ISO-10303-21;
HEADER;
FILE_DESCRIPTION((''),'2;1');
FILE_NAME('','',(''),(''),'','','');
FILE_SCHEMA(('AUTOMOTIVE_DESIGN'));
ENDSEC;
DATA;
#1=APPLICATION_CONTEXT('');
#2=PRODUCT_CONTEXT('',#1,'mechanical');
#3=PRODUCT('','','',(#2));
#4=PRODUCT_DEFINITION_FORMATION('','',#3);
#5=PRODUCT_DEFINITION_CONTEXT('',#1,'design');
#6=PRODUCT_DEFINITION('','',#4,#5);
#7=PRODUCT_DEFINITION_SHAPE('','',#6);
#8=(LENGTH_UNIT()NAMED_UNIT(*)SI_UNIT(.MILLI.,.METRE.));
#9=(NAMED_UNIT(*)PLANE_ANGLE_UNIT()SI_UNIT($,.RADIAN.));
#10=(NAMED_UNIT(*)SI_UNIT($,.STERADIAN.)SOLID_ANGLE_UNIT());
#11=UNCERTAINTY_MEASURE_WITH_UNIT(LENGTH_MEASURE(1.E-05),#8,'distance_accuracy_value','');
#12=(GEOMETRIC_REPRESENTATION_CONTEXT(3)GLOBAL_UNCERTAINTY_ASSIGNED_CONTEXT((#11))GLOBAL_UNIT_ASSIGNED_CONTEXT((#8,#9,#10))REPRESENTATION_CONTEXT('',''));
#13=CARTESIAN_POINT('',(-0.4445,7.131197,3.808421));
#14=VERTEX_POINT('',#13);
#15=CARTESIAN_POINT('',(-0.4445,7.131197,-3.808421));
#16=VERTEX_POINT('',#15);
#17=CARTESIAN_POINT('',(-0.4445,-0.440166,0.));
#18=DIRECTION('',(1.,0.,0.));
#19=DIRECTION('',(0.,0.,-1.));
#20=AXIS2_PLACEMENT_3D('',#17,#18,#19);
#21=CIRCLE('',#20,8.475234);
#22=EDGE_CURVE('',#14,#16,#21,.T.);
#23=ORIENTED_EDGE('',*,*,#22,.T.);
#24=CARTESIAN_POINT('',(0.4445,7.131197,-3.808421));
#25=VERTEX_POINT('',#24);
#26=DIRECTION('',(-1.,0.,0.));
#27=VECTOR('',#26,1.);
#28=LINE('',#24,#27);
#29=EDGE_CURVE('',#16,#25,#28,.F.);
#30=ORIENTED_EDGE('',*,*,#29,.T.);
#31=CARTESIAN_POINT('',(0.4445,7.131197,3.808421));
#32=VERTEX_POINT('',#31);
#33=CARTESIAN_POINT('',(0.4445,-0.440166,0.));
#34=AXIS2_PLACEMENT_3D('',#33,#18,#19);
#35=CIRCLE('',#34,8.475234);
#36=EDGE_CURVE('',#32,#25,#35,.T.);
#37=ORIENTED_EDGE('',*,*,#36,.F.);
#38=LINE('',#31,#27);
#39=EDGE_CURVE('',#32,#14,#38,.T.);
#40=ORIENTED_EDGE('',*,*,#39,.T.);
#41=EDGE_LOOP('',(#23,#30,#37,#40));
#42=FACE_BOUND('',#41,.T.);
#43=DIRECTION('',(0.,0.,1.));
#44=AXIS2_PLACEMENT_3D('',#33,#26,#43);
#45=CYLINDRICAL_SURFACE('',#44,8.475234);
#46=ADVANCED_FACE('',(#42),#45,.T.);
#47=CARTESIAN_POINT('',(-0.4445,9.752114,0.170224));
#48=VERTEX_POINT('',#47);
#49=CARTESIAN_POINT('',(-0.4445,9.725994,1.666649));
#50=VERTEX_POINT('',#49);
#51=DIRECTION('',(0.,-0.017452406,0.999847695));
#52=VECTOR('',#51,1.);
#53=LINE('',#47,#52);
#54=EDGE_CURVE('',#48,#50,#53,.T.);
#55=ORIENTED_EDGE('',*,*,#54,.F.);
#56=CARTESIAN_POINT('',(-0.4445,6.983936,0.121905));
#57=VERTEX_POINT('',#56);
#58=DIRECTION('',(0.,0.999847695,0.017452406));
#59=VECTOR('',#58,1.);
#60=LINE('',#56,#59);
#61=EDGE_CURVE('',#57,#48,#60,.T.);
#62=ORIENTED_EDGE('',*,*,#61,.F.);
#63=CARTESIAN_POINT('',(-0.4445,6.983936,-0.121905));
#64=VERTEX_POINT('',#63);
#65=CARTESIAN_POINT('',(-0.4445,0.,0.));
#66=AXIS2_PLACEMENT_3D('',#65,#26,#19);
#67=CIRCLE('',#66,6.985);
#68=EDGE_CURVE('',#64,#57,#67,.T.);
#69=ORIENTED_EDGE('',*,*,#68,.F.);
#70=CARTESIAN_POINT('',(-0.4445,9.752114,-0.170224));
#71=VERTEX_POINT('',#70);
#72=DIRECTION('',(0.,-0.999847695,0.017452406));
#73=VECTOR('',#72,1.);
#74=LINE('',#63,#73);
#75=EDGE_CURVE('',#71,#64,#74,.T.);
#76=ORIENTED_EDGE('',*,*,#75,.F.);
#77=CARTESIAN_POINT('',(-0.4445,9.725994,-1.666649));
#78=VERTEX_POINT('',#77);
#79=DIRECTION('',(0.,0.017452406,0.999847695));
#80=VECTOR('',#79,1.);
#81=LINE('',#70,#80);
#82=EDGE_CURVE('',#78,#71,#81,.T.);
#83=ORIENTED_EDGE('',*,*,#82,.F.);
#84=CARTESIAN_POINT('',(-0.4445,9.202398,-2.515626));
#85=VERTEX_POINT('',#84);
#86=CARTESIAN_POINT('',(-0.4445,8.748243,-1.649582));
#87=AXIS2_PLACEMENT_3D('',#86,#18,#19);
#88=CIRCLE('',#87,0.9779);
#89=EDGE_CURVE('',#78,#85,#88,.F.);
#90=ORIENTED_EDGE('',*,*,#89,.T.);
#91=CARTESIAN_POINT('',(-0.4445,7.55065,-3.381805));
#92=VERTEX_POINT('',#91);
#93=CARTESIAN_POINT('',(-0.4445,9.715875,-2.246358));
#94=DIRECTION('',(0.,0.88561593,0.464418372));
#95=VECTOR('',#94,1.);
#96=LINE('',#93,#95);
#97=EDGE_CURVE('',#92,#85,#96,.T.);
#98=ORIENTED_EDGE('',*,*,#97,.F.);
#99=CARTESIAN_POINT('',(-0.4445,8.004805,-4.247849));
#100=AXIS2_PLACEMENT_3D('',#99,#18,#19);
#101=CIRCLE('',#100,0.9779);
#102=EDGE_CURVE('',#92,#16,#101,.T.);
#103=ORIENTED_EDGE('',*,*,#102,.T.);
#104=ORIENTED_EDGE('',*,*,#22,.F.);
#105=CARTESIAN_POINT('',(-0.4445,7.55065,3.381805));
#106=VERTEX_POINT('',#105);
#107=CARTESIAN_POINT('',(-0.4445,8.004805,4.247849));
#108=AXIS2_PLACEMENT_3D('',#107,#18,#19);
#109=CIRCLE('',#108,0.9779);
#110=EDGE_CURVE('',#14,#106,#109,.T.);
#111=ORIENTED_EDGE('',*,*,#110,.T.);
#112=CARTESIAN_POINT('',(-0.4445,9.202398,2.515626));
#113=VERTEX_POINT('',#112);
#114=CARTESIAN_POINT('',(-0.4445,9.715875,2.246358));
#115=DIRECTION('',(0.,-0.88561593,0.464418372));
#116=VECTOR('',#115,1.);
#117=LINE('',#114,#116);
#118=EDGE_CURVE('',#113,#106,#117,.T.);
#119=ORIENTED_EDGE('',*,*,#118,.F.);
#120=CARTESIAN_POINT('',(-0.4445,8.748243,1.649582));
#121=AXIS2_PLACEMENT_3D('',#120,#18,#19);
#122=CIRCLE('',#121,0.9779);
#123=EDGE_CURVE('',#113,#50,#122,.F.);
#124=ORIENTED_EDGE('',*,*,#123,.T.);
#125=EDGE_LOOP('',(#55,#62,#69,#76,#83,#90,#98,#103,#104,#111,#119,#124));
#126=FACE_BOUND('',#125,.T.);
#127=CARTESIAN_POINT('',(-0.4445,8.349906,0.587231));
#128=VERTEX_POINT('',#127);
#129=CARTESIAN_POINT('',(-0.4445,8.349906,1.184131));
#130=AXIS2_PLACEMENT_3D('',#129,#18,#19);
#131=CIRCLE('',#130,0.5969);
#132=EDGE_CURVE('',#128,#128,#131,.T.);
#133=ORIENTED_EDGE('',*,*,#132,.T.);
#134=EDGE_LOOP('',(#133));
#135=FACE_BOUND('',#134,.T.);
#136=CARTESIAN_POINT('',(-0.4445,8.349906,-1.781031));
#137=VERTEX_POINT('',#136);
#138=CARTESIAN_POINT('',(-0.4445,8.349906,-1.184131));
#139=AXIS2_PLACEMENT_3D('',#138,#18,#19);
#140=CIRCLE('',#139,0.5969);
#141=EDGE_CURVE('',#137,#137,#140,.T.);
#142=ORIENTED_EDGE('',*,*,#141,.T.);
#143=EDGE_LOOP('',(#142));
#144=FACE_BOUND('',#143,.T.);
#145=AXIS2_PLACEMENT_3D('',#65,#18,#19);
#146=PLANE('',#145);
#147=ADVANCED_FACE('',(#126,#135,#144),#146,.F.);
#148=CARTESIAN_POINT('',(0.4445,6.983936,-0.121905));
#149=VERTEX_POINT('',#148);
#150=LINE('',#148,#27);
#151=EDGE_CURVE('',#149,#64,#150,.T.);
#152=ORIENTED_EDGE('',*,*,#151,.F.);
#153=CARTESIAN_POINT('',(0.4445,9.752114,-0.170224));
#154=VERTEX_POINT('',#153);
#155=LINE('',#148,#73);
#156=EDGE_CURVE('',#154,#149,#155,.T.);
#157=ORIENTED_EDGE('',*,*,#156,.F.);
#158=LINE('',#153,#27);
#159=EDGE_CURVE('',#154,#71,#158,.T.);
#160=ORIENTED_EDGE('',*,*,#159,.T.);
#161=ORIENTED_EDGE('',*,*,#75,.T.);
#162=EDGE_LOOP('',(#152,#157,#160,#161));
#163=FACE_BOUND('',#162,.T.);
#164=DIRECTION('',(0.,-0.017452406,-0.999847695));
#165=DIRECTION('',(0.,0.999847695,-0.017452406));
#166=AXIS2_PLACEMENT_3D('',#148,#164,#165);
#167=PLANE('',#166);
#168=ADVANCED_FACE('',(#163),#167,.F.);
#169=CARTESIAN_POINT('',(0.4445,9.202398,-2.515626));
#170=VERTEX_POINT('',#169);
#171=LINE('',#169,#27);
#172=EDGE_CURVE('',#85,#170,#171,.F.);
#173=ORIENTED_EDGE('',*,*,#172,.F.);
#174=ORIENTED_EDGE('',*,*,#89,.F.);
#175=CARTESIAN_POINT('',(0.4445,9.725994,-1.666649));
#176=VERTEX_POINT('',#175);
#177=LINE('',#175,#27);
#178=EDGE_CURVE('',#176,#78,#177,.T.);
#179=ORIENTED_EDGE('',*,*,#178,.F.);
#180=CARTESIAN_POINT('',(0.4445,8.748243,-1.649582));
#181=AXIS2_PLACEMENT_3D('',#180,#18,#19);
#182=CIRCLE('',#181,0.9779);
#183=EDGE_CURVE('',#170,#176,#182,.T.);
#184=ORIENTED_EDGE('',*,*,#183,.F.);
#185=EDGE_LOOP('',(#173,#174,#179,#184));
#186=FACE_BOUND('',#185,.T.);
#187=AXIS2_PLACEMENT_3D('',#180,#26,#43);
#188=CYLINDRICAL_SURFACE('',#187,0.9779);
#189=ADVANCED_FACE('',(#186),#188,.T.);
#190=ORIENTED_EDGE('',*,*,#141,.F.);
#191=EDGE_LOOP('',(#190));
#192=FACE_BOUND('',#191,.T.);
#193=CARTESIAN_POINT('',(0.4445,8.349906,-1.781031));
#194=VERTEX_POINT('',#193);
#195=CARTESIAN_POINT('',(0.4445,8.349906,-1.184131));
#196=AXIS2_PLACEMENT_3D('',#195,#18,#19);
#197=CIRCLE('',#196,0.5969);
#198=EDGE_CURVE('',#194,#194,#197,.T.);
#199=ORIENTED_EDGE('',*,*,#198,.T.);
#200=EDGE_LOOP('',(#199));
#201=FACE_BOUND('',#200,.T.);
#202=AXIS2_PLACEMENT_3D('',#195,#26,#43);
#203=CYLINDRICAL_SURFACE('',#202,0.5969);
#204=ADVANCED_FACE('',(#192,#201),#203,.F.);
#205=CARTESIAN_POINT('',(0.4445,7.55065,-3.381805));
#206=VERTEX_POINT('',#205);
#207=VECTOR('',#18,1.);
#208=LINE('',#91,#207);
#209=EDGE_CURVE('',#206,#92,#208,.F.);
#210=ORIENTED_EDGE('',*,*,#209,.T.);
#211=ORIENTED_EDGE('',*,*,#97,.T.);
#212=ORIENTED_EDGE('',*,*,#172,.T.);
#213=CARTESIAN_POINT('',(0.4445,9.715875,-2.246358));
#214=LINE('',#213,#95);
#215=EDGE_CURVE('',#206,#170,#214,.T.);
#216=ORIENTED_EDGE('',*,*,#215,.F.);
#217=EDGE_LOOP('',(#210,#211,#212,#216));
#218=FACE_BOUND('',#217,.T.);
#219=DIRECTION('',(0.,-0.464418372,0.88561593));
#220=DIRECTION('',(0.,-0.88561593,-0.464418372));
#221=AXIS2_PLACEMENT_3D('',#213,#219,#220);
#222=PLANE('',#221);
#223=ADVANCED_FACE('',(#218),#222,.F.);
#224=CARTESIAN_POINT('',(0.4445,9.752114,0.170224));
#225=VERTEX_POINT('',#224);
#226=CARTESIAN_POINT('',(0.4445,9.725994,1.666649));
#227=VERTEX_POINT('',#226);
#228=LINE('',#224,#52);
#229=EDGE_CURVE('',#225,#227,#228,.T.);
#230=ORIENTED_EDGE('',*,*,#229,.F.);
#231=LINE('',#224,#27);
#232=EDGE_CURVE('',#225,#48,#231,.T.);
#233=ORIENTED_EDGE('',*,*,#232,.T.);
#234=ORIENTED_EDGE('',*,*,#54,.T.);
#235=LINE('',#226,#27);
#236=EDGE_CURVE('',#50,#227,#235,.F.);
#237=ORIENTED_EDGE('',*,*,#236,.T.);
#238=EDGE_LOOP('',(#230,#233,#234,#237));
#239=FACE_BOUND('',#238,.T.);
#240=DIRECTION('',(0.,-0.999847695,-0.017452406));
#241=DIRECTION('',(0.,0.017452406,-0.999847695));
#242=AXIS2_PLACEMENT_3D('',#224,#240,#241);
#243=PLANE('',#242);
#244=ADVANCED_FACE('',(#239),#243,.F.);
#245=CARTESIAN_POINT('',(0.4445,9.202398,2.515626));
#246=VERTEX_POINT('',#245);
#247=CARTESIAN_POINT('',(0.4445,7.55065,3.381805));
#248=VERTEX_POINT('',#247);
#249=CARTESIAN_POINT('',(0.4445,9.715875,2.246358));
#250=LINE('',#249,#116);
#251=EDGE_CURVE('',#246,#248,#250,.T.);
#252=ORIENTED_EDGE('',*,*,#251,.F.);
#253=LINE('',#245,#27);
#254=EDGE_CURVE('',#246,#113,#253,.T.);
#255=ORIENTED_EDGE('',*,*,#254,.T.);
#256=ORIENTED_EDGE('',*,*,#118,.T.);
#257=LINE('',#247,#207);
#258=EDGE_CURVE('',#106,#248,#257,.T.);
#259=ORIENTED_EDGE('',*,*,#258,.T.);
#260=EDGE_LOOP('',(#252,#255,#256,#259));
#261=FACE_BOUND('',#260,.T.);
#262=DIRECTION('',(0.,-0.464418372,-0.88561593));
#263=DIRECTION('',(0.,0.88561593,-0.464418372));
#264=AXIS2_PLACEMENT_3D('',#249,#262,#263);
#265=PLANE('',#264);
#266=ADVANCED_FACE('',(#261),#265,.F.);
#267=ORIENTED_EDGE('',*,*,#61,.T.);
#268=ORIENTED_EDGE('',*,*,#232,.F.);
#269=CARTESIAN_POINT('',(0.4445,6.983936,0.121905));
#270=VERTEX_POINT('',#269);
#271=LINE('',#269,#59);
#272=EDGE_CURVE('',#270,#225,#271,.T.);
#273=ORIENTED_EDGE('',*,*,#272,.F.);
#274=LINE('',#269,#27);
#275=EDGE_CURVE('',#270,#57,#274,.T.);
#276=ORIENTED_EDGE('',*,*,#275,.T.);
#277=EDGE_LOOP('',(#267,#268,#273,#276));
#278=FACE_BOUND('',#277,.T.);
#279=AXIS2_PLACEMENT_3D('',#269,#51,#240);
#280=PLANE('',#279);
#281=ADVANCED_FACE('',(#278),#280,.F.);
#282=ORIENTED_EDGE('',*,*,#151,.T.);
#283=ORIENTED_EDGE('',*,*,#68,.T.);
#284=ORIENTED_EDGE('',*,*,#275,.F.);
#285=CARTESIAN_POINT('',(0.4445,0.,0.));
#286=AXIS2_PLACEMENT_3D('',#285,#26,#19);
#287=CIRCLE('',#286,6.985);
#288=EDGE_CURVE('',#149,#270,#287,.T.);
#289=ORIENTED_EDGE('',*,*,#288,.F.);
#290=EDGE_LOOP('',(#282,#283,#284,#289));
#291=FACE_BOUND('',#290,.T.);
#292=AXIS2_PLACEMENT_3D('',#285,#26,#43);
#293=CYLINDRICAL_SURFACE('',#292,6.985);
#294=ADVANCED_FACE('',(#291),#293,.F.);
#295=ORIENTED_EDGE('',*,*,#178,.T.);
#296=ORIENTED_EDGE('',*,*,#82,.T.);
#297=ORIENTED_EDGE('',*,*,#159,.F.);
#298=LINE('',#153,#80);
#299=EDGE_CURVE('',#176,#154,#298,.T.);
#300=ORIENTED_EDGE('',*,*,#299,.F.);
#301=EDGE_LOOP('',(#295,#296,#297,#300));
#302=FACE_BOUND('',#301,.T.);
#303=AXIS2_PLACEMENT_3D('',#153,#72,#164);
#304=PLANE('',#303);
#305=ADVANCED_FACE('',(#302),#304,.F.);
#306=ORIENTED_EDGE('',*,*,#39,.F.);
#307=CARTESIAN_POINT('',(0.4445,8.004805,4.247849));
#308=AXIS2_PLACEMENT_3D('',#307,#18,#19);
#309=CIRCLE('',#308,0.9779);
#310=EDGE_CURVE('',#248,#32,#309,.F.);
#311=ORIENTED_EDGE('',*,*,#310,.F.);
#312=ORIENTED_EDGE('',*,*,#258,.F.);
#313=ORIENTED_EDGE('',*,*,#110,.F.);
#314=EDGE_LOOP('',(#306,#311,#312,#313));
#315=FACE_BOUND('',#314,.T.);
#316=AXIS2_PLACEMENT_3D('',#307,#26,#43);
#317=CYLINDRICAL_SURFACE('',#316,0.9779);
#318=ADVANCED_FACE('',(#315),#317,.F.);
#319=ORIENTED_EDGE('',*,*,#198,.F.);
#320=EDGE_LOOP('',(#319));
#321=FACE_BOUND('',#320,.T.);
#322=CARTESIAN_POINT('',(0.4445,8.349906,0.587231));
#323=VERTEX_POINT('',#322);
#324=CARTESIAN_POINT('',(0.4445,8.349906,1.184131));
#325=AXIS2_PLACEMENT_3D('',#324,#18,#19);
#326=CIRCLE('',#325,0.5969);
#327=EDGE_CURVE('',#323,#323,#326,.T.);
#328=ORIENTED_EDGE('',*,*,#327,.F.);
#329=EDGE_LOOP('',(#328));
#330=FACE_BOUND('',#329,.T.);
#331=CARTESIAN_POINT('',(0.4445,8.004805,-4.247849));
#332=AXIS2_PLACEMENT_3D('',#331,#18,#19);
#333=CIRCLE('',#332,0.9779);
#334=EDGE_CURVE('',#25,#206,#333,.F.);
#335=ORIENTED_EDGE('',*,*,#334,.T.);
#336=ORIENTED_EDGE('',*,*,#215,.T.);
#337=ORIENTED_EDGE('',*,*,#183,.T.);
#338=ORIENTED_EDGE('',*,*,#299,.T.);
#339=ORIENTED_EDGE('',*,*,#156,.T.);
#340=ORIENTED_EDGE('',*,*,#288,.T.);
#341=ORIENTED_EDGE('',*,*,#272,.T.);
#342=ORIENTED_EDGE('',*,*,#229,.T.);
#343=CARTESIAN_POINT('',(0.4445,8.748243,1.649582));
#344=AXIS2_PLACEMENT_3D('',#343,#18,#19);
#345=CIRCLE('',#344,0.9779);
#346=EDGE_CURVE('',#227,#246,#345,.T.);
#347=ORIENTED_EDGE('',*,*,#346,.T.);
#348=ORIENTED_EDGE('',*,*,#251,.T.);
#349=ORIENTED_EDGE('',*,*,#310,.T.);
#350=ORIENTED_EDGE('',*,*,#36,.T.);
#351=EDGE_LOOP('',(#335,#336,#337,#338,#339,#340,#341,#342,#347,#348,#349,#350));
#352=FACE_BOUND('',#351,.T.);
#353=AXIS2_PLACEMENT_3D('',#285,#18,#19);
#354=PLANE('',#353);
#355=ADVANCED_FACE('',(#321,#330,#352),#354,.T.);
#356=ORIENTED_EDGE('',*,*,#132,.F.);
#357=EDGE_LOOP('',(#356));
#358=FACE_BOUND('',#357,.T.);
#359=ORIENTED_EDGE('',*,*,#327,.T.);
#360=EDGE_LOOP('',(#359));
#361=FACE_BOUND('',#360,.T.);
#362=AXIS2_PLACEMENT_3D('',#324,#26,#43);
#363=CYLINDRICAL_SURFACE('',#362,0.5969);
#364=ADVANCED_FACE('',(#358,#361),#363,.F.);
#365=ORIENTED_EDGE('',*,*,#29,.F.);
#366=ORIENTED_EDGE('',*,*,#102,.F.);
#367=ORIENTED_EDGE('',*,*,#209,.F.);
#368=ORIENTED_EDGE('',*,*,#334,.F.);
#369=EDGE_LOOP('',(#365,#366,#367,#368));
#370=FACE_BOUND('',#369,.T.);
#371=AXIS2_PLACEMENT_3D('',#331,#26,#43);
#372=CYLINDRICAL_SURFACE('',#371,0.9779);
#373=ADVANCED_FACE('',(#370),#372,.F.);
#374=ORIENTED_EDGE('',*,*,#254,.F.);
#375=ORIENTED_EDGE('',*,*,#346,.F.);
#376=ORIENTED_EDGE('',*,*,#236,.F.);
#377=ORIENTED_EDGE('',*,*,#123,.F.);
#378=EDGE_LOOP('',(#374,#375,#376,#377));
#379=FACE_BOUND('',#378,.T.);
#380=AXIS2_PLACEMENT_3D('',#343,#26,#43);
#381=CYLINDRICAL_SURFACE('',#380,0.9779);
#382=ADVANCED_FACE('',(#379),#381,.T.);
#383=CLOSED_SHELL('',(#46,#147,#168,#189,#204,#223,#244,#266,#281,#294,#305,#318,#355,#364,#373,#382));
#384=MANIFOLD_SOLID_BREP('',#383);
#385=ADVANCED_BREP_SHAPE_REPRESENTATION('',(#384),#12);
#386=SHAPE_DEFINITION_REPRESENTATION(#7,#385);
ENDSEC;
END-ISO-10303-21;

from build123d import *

# Parameters (mm, degrees)
SKETCH1_R      = 0.5969
EXTRUDE1_DEPTH = 0.4445
FILLET1_R      = 0.9779


with BuildPart() as part:
    # Sketch1 → Extrude1 (new body, symmetric)
    with BuildSketch(Plane(origin=(0, 0, 0), x_dir=(0, 0, -1), z_dir=(1, 0, 0))):
        with BuildLine():
            Line((-0.121905059, 6.983936151), (-0.170223791, 9.752114479))
            Line((-0.170223791, 9.752114479), (-2.246357538, 9.71587543))
            Line((-2.246357538, 9.71587543), (-3.532146242, 7.263959166))
            ThreePointArc((-3.532146242, 7.263959166), (0, -8.9154), (3.532146242, 7.263959166))
            Line((3.532146242, 7.263959166), (2.246357538, 9.71587543))
            Line((2.246357538, 9.71587543), (0.170223791, 9.752114479))
            Line((0.170223791, 9.752114479), (0.121905059, 6.983936151))
            ThreePointArc((0.121905059, 6.983936151), (0, -6.985), (-0.121905059, 6.983936151))
        make_face()
        with Locations((-1.184131298, 8.34990579)):
            Circle(SKETCH1_R, mode=Mode.SUBTRACT)
        with Locations((1.184131298, 8.34990579)):
            Circle(SKETCH1_R, mode=Mode.SUBTRACT)
    extrude(amount=EXTRUDE1_DEPTH, both=True)

    # Fillet1
    fillet1_edges = [part.edges().sort_by_distance(p)[0] for p in [
        (0, 9.71587543, -2.246357538),
        (0, 7.263959166, -3.532146242),
        (0, 7.263959166, 3.532146242),
        (0, 9.71587543, 2.246357538),
    ]]
    fillet(fillet1_edges, radius=FILLET1_R)


solid = part.part
